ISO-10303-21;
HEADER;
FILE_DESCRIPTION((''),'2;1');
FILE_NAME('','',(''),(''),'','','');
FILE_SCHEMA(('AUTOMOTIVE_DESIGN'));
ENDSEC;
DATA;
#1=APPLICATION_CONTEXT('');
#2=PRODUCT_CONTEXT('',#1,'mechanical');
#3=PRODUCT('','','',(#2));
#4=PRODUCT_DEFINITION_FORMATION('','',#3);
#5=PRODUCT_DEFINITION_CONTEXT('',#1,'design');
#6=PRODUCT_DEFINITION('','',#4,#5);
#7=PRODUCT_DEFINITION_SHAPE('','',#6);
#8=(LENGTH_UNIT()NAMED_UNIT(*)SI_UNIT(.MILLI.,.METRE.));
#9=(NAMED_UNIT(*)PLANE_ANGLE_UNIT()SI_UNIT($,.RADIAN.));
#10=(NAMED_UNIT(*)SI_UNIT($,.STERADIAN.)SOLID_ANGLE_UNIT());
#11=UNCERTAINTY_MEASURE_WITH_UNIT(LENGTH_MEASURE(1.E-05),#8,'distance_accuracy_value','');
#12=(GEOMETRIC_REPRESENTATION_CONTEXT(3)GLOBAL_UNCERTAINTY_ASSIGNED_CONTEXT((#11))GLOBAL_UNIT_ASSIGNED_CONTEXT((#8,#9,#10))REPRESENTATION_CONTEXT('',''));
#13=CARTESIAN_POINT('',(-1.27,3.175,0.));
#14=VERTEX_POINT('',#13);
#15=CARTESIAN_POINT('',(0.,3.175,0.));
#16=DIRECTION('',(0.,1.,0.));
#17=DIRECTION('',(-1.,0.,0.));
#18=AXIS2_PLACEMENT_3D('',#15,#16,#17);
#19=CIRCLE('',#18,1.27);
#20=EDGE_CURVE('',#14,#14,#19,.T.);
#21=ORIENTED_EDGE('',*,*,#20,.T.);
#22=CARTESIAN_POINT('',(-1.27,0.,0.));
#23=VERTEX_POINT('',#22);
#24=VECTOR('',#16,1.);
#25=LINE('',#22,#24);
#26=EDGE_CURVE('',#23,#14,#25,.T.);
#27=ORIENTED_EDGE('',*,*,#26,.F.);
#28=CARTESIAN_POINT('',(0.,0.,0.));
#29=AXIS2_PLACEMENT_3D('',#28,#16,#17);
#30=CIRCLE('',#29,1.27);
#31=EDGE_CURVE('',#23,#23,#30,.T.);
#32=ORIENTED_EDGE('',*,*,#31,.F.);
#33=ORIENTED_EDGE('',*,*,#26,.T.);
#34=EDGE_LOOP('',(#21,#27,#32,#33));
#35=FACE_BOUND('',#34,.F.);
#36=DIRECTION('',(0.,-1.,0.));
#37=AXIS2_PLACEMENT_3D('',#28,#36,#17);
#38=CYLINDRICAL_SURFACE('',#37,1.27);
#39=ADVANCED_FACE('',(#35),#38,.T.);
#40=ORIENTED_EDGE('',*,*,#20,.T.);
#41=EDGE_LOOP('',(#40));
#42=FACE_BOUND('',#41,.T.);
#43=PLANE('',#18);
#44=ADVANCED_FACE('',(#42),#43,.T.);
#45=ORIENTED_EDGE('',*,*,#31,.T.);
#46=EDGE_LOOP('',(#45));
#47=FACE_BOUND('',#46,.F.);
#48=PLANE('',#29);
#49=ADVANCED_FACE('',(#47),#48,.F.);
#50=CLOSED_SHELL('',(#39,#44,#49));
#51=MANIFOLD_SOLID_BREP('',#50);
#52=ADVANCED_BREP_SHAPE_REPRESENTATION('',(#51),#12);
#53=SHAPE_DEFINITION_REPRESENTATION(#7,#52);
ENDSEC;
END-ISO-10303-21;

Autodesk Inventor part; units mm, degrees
ref_plane "YZ Plane" through (0, 0, 0) normal (1, 0, 0) x (0, 1, 0)
ref_plane "XZ Plane" through (0, 0, 0) normal (0, 1, 0) x (-1, 0, 0)
ref_plane "XY Plane" through (0, 0, 0) normal (0, 0, 1) x (1, 0, 0)
sketch "Sketch1" plane through (0, 0, 0) normal (0, 1, 0) x (-1, 0, 0)
  circle A0 centre (0, 0) radius 1.27
  dimension "d0" = 2.54
extrude "Extrusion1" add sketch "Sketch1" along normal blind 3.175
properties part number "rotation device"
